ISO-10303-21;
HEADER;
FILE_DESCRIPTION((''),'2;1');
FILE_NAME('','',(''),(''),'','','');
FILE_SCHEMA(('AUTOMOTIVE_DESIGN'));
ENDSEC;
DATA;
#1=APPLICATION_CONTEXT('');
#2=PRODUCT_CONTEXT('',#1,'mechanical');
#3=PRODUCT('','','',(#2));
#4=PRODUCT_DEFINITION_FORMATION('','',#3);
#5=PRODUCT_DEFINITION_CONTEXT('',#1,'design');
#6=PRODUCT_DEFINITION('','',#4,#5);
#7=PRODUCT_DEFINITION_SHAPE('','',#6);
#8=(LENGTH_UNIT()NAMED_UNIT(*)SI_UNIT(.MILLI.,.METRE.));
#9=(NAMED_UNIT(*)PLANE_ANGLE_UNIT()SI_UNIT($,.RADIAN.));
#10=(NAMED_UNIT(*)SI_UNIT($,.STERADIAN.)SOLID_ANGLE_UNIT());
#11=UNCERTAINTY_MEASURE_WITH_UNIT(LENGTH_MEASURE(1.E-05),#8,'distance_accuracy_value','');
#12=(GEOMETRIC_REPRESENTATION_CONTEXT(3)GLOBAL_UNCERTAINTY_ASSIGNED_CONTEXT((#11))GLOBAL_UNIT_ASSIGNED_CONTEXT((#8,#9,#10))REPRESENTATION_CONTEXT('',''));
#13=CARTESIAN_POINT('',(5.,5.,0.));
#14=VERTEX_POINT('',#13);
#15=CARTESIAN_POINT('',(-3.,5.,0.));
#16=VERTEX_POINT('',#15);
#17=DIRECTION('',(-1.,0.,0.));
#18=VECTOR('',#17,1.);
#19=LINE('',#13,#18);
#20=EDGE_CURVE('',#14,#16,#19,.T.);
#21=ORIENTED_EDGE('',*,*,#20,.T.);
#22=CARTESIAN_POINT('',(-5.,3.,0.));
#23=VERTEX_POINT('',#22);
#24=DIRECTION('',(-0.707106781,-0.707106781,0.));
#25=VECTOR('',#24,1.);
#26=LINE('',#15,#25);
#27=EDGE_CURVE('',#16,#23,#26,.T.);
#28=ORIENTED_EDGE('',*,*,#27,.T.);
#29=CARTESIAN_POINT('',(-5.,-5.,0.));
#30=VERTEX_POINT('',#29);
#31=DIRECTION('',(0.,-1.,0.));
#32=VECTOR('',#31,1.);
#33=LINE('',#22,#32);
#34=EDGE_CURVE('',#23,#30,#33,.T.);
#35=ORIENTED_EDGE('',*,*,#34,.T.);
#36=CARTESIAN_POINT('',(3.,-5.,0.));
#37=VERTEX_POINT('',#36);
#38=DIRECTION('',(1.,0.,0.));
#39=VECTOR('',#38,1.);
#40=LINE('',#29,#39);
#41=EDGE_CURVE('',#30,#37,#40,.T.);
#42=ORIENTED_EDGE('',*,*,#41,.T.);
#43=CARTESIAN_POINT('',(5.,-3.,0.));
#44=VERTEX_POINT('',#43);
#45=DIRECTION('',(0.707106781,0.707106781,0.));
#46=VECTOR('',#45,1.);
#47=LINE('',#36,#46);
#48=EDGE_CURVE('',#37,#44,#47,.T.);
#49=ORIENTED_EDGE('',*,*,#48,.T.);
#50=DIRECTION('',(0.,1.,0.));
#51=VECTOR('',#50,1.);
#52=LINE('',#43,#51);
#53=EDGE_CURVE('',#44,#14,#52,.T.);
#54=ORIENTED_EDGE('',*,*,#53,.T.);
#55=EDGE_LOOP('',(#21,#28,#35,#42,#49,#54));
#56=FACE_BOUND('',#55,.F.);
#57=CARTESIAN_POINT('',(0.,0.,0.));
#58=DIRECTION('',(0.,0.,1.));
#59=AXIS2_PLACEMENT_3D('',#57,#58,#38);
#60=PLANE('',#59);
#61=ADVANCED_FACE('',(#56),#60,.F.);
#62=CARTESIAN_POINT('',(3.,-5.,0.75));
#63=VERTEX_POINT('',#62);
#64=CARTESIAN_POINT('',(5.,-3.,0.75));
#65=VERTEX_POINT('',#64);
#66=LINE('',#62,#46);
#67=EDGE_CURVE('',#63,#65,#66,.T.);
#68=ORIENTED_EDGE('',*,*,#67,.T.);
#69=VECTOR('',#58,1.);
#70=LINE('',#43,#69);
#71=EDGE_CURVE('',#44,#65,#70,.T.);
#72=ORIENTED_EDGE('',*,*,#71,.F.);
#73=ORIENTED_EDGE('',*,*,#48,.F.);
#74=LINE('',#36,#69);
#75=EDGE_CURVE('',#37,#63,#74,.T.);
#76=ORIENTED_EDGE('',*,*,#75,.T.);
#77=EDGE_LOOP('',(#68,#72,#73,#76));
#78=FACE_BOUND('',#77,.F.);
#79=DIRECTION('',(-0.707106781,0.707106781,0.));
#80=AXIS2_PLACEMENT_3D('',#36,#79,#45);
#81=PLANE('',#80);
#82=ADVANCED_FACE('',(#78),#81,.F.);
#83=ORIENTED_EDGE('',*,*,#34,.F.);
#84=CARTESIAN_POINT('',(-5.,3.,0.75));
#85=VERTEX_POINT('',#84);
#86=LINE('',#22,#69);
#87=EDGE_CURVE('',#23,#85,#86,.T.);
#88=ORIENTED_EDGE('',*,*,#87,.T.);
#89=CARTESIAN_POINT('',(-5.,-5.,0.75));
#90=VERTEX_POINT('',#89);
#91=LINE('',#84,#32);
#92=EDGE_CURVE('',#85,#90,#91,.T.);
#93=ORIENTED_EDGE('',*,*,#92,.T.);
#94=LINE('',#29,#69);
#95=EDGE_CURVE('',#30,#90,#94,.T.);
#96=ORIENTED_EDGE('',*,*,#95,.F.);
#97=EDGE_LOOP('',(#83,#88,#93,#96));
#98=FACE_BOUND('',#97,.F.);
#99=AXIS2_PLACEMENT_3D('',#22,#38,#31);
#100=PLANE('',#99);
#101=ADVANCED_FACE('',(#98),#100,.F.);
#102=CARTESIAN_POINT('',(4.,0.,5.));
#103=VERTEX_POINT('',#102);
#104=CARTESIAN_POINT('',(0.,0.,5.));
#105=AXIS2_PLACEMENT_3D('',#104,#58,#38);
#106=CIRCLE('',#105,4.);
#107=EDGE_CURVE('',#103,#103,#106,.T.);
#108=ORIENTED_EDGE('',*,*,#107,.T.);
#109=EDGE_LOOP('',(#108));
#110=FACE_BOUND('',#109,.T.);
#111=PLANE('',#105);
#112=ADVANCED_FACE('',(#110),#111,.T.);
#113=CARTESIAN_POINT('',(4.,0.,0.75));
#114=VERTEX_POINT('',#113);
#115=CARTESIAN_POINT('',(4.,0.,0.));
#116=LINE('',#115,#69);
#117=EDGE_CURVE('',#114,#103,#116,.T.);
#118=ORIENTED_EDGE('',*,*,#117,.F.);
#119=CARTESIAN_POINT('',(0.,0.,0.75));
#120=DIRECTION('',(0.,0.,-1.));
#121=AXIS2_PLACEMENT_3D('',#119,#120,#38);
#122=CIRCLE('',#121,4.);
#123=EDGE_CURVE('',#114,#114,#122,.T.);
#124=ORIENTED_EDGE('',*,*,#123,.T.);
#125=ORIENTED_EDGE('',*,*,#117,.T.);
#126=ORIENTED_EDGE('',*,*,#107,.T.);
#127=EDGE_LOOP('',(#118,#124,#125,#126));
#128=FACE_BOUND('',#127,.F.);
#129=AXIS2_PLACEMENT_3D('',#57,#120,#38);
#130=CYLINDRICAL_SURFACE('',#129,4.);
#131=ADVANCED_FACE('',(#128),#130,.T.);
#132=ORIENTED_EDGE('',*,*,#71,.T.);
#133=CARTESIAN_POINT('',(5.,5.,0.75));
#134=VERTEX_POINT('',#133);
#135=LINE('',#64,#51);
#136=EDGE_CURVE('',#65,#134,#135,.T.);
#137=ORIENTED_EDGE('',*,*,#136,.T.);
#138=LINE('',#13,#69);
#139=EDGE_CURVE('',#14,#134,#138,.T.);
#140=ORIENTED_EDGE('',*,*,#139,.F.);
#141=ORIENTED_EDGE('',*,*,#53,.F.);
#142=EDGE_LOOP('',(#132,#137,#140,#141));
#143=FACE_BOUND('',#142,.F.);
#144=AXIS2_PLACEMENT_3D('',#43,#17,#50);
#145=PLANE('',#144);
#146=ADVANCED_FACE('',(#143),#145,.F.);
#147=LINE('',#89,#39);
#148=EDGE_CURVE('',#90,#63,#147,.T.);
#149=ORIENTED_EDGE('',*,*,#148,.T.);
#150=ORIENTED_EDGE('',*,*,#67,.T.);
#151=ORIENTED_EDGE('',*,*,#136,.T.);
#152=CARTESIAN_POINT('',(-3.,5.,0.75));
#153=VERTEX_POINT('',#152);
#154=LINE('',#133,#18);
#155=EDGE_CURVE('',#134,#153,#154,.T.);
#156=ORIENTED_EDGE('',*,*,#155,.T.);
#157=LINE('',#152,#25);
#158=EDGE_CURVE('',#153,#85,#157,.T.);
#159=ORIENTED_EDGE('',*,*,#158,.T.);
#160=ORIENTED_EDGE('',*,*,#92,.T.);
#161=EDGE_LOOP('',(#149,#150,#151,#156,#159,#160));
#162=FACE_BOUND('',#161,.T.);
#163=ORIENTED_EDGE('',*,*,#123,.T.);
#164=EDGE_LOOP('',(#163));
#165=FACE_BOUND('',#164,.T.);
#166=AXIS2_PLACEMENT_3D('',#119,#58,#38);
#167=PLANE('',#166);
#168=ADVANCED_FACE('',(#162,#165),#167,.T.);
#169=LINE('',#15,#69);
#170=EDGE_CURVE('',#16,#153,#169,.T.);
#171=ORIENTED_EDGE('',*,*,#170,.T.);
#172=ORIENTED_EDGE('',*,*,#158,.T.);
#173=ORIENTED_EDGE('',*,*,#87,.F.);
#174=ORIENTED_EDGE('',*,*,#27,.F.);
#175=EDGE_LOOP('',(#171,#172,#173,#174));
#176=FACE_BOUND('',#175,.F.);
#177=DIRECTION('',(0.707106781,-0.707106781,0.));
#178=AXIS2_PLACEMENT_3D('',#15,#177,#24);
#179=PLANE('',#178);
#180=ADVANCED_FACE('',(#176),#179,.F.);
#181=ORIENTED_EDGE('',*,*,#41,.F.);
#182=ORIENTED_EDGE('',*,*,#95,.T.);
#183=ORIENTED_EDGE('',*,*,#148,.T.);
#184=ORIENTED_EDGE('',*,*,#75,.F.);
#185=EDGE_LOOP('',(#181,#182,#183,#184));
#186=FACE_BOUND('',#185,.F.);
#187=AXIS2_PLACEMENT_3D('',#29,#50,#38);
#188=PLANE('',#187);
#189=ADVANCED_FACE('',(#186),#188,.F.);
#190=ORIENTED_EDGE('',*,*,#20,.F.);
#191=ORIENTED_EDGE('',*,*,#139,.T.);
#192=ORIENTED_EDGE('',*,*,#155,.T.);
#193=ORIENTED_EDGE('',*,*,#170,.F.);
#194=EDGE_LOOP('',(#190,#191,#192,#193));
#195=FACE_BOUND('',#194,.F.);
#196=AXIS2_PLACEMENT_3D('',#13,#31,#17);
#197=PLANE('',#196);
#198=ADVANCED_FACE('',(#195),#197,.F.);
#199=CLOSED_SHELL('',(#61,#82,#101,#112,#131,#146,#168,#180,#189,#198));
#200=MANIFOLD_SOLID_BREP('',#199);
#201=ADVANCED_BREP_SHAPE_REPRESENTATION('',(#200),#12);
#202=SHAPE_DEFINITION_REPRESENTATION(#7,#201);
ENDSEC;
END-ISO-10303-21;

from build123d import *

# Parameters (mm, degrees)
F1_DEPTH = 0.75
F2_R     = 4
F3_DEPTH = 5


with BuildPart() as f1:
    # F0 (on Top) → F1 (new body)
    with BuildSketch(Plane.XY):
        Polygon((-5, -5), (3, -5), (5, -3), (5, 5), (-3, 5), (-5, 3), align=None)
    extrude(amount=F1_DEPTH)

    # F2 (on Top) → F3 (join)
    with BuildSketch(Plane.XY):
        Circle(F2_R)
    extrude(amount=F3_DEPTH)


solid = f1.part
